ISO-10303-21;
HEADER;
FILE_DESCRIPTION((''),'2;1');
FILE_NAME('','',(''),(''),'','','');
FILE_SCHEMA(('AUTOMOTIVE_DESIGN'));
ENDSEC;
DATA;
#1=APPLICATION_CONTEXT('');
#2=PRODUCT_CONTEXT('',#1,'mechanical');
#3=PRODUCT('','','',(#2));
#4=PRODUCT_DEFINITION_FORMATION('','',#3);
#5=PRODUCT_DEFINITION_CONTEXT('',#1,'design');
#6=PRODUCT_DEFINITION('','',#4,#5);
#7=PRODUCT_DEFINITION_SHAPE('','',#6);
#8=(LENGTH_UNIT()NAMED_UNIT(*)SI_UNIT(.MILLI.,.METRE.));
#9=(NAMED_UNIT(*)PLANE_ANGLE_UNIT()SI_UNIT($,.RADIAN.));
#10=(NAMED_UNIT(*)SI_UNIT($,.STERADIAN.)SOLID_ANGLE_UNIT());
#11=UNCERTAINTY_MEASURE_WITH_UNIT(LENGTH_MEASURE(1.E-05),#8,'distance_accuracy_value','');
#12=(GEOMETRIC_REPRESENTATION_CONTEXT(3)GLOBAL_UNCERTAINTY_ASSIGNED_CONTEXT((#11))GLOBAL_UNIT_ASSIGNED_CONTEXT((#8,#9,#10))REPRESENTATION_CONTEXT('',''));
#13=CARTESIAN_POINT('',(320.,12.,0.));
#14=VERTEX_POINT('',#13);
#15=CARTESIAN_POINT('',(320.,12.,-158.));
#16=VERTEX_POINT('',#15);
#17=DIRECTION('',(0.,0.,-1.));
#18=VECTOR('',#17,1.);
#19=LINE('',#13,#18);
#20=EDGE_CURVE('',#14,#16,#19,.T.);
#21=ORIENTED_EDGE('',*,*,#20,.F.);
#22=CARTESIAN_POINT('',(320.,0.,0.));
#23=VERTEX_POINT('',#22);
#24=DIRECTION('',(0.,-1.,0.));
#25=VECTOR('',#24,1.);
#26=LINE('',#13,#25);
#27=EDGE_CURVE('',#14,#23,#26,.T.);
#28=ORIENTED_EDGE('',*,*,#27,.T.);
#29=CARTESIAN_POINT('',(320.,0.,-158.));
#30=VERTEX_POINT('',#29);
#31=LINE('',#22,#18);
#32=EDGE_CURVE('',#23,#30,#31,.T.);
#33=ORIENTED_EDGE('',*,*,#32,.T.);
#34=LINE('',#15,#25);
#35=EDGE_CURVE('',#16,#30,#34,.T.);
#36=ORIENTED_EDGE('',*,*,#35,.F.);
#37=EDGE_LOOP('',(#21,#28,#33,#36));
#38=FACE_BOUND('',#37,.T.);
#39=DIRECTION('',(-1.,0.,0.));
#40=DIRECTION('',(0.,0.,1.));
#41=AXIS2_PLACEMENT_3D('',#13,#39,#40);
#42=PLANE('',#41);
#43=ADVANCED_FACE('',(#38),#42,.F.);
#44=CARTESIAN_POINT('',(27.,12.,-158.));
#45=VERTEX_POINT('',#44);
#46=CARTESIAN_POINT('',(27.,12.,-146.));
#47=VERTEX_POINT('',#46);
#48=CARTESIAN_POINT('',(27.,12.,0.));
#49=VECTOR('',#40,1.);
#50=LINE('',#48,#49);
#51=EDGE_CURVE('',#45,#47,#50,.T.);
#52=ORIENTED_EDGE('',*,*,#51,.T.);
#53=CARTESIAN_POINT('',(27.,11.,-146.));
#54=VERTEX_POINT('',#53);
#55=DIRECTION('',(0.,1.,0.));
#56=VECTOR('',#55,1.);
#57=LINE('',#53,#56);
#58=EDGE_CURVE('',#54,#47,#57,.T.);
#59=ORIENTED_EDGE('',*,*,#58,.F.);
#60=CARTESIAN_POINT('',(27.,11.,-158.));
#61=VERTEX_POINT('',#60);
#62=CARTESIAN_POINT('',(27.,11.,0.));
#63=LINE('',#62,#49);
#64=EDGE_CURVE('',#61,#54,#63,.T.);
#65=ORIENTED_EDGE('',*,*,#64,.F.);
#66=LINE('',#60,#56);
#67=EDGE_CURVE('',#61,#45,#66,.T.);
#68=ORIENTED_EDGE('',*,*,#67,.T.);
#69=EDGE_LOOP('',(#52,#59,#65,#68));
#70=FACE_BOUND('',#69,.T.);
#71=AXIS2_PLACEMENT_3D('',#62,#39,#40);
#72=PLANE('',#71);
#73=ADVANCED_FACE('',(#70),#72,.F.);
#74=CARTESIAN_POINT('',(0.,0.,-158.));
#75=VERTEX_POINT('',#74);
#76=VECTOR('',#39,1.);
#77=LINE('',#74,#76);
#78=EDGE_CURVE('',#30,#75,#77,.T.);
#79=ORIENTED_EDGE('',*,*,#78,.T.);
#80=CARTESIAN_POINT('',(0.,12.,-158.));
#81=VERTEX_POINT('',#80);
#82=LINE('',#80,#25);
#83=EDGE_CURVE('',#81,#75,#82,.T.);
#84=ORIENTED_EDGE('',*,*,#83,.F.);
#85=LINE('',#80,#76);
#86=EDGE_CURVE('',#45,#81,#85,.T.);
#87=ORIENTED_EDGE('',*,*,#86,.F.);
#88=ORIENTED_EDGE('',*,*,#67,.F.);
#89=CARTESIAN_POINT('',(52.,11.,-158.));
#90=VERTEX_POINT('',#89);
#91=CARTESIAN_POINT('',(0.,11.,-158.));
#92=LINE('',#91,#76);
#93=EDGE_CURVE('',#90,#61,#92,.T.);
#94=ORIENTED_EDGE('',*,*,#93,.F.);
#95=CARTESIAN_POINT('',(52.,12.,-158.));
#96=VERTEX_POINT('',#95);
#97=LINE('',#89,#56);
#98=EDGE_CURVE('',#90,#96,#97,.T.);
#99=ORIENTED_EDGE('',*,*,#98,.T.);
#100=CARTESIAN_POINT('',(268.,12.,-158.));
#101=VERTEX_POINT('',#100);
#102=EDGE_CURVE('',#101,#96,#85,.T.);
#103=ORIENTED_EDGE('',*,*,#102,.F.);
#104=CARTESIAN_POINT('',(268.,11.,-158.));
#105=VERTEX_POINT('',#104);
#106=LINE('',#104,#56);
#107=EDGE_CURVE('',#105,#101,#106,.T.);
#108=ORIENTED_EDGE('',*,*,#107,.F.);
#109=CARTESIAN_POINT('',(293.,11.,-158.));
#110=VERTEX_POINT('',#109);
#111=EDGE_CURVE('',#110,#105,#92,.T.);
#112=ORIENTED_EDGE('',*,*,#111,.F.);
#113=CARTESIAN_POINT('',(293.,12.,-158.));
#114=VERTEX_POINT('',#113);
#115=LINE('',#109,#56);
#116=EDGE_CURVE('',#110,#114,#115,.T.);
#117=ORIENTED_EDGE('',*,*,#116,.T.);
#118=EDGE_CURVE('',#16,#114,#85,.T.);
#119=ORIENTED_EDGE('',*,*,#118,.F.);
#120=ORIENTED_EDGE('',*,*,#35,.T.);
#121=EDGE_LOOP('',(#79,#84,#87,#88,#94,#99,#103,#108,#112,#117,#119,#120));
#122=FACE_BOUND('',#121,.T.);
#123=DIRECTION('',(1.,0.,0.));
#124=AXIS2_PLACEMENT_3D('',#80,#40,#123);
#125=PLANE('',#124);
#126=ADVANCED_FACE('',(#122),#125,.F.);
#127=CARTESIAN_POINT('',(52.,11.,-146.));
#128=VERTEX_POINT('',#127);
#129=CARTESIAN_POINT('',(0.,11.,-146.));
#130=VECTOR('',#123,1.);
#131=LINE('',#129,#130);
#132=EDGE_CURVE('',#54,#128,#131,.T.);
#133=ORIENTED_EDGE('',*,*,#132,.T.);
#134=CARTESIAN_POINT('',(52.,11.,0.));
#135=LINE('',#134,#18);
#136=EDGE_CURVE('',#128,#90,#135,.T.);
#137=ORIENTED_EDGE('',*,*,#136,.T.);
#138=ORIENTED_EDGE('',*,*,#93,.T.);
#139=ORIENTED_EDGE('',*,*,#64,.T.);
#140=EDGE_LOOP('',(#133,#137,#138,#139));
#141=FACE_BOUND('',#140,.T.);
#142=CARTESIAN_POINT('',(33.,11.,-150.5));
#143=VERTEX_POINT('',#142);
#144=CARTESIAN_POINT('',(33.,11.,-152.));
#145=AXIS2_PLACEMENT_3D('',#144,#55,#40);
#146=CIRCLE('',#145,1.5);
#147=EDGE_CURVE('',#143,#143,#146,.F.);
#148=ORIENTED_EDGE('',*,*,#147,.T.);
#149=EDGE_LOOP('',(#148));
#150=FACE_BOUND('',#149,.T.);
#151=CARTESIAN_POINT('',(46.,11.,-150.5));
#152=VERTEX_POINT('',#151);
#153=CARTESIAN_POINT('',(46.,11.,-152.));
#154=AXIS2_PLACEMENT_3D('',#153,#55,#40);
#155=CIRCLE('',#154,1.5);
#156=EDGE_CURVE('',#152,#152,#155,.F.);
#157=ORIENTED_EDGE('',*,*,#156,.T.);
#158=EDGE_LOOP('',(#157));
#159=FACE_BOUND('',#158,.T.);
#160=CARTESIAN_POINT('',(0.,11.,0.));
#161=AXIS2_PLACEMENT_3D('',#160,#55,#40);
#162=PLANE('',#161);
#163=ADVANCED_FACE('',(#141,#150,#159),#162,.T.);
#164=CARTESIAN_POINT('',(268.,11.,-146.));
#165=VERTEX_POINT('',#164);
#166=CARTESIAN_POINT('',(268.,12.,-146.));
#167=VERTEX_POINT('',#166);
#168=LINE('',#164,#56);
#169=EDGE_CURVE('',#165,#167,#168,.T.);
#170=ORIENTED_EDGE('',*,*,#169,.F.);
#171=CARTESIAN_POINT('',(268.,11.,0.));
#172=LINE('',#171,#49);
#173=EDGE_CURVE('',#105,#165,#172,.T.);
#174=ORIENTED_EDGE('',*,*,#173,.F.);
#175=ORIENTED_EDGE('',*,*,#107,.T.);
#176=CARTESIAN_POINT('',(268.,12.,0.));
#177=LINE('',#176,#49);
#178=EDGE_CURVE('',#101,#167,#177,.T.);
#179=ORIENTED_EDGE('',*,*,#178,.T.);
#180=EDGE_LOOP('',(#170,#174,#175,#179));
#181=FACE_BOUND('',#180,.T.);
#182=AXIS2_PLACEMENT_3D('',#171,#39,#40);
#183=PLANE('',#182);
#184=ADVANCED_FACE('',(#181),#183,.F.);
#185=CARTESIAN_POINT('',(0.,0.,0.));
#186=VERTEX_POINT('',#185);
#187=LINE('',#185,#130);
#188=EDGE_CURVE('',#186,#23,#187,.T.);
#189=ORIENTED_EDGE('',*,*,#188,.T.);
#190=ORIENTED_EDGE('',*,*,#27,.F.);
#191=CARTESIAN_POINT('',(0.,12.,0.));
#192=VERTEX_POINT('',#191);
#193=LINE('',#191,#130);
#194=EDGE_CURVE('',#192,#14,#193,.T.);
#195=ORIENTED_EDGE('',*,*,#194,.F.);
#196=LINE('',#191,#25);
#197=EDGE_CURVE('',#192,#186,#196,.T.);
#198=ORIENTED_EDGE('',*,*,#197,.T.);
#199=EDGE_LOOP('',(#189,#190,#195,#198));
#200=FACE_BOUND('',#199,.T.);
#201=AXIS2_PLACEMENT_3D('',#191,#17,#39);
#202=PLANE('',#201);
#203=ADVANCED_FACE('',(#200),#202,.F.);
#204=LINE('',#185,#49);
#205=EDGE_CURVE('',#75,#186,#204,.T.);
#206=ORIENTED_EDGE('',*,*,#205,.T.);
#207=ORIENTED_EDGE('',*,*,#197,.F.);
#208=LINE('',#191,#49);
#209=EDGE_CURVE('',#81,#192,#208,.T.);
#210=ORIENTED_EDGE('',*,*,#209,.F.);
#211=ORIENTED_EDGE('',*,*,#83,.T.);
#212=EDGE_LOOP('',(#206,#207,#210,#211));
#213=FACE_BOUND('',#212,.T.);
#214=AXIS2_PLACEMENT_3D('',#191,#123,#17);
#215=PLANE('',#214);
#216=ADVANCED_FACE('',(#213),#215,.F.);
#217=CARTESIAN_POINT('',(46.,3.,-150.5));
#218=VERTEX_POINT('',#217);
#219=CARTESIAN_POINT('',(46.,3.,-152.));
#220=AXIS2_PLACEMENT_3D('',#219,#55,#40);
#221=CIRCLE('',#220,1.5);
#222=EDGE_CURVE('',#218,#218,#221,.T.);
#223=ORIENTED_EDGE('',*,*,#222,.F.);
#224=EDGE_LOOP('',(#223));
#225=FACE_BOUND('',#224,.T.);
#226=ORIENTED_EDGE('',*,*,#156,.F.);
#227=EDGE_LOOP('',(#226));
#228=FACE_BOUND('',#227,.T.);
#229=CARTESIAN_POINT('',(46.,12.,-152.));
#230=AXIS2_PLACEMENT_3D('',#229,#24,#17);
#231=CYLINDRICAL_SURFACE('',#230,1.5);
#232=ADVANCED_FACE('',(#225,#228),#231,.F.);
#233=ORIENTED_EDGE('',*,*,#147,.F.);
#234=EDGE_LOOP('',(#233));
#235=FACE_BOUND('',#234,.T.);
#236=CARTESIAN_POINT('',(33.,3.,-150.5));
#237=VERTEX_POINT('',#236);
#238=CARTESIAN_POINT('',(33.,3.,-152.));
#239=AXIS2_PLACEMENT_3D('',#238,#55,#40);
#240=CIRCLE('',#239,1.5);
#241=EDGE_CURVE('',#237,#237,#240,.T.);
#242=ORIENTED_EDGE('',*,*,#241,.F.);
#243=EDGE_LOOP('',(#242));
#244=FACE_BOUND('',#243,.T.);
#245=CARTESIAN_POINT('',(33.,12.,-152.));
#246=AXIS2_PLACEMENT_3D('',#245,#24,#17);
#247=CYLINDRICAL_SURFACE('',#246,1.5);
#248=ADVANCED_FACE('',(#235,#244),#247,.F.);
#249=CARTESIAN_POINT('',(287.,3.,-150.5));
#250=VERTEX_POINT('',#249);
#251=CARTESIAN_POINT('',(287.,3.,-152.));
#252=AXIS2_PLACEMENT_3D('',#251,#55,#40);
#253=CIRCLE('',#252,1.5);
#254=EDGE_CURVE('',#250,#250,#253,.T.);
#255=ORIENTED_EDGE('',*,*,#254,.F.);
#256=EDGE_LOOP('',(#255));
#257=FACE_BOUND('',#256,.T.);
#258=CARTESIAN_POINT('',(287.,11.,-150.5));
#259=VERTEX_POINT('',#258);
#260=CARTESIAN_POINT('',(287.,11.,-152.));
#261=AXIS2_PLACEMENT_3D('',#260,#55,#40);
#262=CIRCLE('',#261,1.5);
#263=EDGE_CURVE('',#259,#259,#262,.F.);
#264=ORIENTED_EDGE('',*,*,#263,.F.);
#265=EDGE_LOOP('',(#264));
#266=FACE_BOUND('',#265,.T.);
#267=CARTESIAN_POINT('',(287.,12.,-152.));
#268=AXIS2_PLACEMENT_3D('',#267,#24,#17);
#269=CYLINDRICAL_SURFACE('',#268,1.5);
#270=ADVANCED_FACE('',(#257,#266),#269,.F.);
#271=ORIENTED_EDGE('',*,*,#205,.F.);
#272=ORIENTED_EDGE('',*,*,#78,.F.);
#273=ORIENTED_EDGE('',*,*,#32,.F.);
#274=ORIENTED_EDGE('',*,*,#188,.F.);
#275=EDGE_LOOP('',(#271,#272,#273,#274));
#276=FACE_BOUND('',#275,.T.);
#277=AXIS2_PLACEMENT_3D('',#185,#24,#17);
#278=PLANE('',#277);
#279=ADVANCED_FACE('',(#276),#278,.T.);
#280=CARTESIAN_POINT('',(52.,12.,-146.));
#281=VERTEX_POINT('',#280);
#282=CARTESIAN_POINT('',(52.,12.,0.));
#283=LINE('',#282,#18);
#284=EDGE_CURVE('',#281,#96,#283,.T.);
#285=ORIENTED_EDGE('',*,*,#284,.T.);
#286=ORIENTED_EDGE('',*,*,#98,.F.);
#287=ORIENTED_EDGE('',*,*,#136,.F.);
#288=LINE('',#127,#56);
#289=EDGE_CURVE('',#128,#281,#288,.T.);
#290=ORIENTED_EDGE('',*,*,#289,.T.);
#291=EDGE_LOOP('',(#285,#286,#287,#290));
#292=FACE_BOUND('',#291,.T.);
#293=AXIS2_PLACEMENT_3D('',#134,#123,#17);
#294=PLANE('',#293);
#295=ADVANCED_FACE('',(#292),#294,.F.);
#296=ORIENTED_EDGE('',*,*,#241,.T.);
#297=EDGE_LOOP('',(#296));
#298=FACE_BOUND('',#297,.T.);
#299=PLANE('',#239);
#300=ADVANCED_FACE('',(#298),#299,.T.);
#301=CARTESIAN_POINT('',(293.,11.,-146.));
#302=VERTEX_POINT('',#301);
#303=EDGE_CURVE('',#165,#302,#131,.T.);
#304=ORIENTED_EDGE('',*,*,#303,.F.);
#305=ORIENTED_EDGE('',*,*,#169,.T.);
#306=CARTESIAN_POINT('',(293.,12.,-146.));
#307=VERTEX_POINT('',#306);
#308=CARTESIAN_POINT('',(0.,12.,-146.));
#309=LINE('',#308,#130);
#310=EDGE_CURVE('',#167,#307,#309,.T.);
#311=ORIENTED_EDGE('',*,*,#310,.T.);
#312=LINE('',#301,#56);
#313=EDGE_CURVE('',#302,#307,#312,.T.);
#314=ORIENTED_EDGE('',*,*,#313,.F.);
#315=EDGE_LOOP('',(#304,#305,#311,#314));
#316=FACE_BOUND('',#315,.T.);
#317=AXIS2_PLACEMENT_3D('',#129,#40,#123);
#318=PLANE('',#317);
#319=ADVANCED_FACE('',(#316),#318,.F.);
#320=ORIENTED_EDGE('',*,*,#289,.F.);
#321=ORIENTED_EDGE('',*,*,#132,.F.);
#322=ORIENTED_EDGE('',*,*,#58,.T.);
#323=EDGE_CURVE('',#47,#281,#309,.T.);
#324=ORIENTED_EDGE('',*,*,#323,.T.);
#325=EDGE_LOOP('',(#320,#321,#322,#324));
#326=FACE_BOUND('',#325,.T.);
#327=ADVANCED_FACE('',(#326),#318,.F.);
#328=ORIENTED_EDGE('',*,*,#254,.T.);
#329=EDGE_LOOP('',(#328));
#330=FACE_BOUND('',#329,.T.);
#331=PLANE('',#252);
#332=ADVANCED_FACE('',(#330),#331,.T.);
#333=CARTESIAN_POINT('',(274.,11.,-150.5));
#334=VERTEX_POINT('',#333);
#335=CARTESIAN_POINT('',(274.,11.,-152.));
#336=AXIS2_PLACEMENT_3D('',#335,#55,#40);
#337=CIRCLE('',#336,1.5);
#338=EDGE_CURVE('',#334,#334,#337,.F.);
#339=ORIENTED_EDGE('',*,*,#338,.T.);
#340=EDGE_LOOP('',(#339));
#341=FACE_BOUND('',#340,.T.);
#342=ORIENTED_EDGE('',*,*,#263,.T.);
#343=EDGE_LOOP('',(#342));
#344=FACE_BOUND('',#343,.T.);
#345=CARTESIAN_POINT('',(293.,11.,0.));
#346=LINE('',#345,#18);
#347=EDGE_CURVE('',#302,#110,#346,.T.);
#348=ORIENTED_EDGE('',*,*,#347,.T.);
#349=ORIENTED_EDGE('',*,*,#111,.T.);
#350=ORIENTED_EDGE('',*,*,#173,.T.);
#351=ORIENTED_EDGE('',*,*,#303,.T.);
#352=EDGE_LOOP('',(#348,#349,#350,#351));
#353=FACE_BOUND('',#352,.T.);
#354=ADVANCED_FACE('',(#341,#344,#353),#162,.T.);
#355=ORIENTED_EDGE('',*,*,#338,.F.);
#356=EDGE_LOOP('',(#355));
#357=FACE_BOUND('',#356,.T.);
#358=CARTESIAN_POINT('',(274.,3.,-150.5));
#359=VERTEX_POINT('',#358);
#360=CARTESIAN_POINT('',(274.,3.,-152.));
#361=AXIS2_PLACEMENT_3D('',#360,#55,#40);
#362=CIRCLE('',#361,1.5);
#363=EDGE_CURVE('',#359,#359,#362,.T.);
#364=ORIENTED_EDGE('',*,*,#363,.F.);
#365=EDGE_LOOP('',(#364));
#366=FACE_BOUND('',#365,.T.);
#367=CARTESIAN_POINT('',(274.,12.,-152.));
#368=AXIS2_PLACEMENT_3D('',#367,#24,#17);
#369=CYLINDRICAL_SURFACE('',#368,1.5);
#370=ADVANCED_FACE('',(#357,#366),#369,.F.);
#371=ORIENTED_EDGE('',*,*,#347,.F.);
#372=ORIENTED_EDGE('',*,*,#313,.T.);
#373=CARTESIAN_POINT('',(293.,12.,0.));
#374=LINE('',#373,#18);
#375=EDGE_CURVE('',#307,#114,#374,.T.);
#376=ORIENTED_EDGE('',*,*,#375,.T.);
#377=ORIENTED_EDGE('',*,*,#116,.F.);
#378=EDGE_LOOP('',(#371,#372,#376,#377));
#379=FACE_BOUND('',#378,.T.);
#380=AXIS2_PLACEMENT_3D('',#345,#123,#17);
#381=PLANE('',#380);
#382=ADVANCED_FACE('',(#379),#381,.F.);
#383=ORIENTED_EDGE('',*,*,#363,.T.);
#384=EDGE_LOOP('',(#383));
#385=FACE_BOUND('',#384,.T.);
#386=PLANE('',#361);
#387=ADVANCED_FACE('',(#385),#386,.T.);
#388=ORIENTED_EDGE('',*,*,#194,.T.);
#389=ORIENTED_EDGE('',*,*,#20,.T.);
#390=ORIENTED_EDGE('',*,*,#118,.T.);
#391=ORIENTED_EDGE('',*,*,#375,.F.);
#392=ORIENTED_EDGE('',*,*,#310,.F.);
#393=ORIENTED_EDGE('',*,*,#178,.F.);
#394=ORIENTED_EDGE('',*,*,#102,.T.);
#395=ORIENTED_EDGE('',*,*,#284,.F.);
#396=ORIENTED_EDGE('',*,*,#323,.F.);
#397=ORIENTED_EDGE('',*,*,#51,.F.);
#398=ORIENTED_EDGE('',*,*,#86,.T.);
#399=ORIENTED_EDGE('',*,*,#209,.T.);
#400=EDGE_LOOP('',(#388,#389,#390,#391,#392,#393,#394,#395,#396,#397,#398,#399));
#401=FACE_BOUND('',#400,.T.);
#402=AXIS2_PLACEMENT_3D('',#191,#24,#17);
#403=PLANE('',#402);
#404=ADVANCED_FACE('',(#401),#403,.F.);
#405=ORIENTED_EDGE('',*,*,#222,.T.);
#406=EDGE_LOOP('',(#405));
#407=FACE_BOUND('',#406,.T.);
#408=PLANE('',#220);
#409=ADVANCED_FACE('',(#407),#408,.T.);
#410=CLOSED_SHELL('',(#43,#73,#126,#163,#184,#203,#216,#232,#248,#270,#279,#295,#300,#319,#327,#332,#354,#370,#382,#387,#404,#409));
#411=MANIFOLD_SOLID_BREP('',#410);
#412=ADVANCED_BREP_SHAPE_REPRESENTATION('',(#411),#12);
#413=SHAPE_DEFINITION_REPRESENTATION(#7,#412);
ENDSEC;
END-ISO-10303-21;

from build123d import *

# Parameters (mm, degrees)
SKETCH1_W           = 320
SKETCH1_H           = 158
BOSS_EXTRUDE1_DEPTH = 12
CUT_EXTRUDE1_START  = 12
SKETCH2_W           = 25
SKETCH2_H           = 12
CUT_EXTRUDE1_DEPTH  = 1
CUT_EXTRUDE5_START  = 3
SKETCH3_R           = 1.5
CUT_EXTRUDE5_DEPTH  = 9


with BuildPart() as part:
    # Sketch1 → Boss-Extrude1 (new body)
    with BuildSketch(Plane(origin=(0, 0, 0), x_dir=(1, 0, 0), z_dir=(0, 1, 0))):
        with Locations((160, 79)):
            Rectangle(SKETCH1_W, SKETCH1_H)
    extrude(amount=BOSS_EXTRUDE1_DEPTH)

    # Sketch2 → Cut-Extrude1 (cut)
    with BuildSketch(Plane(origin=(0, 0, 0), x_dir=(1, 0, 0), z_dir=(0, 1, 0)).offset(CUT_EXTRUDE1_START)):
        with Locations((39.5, 152)):
            Rectangle(SKETCH2_W, SKETCH2_H)
        with Locations((280.5, 152)):
            Rectangle(SKETCH2_W, SKETCH2_H)
    extrude(amount=-CUT_EXTRUDE1_DEPTH, mode=Mode.SUBTRACT)

    # Sketch3 → Cut-Extrude5 (cut)
    with BuildSketch(Plane(origin=(0, 0, 0), x_dir=(1, 0, 0), z_dir=(0, 1, 0)).offset(CUT_EXTRUDE5_START)):
        with Locations((33, 152)):
            Circle(SKETCH3_R)
        with Locations((46, 152)):
            Circle(SKETCH3_R)
        with Locations((274, 152)):
            Circle(SKETCH3_R)
        with Locations((287, 152)):
            Circle(SKETCH3_R)
    extrude(amount=CUT_EXTRUDE5_DEPTH, mode=Mode.SUBTRACT)


solid = part.part
